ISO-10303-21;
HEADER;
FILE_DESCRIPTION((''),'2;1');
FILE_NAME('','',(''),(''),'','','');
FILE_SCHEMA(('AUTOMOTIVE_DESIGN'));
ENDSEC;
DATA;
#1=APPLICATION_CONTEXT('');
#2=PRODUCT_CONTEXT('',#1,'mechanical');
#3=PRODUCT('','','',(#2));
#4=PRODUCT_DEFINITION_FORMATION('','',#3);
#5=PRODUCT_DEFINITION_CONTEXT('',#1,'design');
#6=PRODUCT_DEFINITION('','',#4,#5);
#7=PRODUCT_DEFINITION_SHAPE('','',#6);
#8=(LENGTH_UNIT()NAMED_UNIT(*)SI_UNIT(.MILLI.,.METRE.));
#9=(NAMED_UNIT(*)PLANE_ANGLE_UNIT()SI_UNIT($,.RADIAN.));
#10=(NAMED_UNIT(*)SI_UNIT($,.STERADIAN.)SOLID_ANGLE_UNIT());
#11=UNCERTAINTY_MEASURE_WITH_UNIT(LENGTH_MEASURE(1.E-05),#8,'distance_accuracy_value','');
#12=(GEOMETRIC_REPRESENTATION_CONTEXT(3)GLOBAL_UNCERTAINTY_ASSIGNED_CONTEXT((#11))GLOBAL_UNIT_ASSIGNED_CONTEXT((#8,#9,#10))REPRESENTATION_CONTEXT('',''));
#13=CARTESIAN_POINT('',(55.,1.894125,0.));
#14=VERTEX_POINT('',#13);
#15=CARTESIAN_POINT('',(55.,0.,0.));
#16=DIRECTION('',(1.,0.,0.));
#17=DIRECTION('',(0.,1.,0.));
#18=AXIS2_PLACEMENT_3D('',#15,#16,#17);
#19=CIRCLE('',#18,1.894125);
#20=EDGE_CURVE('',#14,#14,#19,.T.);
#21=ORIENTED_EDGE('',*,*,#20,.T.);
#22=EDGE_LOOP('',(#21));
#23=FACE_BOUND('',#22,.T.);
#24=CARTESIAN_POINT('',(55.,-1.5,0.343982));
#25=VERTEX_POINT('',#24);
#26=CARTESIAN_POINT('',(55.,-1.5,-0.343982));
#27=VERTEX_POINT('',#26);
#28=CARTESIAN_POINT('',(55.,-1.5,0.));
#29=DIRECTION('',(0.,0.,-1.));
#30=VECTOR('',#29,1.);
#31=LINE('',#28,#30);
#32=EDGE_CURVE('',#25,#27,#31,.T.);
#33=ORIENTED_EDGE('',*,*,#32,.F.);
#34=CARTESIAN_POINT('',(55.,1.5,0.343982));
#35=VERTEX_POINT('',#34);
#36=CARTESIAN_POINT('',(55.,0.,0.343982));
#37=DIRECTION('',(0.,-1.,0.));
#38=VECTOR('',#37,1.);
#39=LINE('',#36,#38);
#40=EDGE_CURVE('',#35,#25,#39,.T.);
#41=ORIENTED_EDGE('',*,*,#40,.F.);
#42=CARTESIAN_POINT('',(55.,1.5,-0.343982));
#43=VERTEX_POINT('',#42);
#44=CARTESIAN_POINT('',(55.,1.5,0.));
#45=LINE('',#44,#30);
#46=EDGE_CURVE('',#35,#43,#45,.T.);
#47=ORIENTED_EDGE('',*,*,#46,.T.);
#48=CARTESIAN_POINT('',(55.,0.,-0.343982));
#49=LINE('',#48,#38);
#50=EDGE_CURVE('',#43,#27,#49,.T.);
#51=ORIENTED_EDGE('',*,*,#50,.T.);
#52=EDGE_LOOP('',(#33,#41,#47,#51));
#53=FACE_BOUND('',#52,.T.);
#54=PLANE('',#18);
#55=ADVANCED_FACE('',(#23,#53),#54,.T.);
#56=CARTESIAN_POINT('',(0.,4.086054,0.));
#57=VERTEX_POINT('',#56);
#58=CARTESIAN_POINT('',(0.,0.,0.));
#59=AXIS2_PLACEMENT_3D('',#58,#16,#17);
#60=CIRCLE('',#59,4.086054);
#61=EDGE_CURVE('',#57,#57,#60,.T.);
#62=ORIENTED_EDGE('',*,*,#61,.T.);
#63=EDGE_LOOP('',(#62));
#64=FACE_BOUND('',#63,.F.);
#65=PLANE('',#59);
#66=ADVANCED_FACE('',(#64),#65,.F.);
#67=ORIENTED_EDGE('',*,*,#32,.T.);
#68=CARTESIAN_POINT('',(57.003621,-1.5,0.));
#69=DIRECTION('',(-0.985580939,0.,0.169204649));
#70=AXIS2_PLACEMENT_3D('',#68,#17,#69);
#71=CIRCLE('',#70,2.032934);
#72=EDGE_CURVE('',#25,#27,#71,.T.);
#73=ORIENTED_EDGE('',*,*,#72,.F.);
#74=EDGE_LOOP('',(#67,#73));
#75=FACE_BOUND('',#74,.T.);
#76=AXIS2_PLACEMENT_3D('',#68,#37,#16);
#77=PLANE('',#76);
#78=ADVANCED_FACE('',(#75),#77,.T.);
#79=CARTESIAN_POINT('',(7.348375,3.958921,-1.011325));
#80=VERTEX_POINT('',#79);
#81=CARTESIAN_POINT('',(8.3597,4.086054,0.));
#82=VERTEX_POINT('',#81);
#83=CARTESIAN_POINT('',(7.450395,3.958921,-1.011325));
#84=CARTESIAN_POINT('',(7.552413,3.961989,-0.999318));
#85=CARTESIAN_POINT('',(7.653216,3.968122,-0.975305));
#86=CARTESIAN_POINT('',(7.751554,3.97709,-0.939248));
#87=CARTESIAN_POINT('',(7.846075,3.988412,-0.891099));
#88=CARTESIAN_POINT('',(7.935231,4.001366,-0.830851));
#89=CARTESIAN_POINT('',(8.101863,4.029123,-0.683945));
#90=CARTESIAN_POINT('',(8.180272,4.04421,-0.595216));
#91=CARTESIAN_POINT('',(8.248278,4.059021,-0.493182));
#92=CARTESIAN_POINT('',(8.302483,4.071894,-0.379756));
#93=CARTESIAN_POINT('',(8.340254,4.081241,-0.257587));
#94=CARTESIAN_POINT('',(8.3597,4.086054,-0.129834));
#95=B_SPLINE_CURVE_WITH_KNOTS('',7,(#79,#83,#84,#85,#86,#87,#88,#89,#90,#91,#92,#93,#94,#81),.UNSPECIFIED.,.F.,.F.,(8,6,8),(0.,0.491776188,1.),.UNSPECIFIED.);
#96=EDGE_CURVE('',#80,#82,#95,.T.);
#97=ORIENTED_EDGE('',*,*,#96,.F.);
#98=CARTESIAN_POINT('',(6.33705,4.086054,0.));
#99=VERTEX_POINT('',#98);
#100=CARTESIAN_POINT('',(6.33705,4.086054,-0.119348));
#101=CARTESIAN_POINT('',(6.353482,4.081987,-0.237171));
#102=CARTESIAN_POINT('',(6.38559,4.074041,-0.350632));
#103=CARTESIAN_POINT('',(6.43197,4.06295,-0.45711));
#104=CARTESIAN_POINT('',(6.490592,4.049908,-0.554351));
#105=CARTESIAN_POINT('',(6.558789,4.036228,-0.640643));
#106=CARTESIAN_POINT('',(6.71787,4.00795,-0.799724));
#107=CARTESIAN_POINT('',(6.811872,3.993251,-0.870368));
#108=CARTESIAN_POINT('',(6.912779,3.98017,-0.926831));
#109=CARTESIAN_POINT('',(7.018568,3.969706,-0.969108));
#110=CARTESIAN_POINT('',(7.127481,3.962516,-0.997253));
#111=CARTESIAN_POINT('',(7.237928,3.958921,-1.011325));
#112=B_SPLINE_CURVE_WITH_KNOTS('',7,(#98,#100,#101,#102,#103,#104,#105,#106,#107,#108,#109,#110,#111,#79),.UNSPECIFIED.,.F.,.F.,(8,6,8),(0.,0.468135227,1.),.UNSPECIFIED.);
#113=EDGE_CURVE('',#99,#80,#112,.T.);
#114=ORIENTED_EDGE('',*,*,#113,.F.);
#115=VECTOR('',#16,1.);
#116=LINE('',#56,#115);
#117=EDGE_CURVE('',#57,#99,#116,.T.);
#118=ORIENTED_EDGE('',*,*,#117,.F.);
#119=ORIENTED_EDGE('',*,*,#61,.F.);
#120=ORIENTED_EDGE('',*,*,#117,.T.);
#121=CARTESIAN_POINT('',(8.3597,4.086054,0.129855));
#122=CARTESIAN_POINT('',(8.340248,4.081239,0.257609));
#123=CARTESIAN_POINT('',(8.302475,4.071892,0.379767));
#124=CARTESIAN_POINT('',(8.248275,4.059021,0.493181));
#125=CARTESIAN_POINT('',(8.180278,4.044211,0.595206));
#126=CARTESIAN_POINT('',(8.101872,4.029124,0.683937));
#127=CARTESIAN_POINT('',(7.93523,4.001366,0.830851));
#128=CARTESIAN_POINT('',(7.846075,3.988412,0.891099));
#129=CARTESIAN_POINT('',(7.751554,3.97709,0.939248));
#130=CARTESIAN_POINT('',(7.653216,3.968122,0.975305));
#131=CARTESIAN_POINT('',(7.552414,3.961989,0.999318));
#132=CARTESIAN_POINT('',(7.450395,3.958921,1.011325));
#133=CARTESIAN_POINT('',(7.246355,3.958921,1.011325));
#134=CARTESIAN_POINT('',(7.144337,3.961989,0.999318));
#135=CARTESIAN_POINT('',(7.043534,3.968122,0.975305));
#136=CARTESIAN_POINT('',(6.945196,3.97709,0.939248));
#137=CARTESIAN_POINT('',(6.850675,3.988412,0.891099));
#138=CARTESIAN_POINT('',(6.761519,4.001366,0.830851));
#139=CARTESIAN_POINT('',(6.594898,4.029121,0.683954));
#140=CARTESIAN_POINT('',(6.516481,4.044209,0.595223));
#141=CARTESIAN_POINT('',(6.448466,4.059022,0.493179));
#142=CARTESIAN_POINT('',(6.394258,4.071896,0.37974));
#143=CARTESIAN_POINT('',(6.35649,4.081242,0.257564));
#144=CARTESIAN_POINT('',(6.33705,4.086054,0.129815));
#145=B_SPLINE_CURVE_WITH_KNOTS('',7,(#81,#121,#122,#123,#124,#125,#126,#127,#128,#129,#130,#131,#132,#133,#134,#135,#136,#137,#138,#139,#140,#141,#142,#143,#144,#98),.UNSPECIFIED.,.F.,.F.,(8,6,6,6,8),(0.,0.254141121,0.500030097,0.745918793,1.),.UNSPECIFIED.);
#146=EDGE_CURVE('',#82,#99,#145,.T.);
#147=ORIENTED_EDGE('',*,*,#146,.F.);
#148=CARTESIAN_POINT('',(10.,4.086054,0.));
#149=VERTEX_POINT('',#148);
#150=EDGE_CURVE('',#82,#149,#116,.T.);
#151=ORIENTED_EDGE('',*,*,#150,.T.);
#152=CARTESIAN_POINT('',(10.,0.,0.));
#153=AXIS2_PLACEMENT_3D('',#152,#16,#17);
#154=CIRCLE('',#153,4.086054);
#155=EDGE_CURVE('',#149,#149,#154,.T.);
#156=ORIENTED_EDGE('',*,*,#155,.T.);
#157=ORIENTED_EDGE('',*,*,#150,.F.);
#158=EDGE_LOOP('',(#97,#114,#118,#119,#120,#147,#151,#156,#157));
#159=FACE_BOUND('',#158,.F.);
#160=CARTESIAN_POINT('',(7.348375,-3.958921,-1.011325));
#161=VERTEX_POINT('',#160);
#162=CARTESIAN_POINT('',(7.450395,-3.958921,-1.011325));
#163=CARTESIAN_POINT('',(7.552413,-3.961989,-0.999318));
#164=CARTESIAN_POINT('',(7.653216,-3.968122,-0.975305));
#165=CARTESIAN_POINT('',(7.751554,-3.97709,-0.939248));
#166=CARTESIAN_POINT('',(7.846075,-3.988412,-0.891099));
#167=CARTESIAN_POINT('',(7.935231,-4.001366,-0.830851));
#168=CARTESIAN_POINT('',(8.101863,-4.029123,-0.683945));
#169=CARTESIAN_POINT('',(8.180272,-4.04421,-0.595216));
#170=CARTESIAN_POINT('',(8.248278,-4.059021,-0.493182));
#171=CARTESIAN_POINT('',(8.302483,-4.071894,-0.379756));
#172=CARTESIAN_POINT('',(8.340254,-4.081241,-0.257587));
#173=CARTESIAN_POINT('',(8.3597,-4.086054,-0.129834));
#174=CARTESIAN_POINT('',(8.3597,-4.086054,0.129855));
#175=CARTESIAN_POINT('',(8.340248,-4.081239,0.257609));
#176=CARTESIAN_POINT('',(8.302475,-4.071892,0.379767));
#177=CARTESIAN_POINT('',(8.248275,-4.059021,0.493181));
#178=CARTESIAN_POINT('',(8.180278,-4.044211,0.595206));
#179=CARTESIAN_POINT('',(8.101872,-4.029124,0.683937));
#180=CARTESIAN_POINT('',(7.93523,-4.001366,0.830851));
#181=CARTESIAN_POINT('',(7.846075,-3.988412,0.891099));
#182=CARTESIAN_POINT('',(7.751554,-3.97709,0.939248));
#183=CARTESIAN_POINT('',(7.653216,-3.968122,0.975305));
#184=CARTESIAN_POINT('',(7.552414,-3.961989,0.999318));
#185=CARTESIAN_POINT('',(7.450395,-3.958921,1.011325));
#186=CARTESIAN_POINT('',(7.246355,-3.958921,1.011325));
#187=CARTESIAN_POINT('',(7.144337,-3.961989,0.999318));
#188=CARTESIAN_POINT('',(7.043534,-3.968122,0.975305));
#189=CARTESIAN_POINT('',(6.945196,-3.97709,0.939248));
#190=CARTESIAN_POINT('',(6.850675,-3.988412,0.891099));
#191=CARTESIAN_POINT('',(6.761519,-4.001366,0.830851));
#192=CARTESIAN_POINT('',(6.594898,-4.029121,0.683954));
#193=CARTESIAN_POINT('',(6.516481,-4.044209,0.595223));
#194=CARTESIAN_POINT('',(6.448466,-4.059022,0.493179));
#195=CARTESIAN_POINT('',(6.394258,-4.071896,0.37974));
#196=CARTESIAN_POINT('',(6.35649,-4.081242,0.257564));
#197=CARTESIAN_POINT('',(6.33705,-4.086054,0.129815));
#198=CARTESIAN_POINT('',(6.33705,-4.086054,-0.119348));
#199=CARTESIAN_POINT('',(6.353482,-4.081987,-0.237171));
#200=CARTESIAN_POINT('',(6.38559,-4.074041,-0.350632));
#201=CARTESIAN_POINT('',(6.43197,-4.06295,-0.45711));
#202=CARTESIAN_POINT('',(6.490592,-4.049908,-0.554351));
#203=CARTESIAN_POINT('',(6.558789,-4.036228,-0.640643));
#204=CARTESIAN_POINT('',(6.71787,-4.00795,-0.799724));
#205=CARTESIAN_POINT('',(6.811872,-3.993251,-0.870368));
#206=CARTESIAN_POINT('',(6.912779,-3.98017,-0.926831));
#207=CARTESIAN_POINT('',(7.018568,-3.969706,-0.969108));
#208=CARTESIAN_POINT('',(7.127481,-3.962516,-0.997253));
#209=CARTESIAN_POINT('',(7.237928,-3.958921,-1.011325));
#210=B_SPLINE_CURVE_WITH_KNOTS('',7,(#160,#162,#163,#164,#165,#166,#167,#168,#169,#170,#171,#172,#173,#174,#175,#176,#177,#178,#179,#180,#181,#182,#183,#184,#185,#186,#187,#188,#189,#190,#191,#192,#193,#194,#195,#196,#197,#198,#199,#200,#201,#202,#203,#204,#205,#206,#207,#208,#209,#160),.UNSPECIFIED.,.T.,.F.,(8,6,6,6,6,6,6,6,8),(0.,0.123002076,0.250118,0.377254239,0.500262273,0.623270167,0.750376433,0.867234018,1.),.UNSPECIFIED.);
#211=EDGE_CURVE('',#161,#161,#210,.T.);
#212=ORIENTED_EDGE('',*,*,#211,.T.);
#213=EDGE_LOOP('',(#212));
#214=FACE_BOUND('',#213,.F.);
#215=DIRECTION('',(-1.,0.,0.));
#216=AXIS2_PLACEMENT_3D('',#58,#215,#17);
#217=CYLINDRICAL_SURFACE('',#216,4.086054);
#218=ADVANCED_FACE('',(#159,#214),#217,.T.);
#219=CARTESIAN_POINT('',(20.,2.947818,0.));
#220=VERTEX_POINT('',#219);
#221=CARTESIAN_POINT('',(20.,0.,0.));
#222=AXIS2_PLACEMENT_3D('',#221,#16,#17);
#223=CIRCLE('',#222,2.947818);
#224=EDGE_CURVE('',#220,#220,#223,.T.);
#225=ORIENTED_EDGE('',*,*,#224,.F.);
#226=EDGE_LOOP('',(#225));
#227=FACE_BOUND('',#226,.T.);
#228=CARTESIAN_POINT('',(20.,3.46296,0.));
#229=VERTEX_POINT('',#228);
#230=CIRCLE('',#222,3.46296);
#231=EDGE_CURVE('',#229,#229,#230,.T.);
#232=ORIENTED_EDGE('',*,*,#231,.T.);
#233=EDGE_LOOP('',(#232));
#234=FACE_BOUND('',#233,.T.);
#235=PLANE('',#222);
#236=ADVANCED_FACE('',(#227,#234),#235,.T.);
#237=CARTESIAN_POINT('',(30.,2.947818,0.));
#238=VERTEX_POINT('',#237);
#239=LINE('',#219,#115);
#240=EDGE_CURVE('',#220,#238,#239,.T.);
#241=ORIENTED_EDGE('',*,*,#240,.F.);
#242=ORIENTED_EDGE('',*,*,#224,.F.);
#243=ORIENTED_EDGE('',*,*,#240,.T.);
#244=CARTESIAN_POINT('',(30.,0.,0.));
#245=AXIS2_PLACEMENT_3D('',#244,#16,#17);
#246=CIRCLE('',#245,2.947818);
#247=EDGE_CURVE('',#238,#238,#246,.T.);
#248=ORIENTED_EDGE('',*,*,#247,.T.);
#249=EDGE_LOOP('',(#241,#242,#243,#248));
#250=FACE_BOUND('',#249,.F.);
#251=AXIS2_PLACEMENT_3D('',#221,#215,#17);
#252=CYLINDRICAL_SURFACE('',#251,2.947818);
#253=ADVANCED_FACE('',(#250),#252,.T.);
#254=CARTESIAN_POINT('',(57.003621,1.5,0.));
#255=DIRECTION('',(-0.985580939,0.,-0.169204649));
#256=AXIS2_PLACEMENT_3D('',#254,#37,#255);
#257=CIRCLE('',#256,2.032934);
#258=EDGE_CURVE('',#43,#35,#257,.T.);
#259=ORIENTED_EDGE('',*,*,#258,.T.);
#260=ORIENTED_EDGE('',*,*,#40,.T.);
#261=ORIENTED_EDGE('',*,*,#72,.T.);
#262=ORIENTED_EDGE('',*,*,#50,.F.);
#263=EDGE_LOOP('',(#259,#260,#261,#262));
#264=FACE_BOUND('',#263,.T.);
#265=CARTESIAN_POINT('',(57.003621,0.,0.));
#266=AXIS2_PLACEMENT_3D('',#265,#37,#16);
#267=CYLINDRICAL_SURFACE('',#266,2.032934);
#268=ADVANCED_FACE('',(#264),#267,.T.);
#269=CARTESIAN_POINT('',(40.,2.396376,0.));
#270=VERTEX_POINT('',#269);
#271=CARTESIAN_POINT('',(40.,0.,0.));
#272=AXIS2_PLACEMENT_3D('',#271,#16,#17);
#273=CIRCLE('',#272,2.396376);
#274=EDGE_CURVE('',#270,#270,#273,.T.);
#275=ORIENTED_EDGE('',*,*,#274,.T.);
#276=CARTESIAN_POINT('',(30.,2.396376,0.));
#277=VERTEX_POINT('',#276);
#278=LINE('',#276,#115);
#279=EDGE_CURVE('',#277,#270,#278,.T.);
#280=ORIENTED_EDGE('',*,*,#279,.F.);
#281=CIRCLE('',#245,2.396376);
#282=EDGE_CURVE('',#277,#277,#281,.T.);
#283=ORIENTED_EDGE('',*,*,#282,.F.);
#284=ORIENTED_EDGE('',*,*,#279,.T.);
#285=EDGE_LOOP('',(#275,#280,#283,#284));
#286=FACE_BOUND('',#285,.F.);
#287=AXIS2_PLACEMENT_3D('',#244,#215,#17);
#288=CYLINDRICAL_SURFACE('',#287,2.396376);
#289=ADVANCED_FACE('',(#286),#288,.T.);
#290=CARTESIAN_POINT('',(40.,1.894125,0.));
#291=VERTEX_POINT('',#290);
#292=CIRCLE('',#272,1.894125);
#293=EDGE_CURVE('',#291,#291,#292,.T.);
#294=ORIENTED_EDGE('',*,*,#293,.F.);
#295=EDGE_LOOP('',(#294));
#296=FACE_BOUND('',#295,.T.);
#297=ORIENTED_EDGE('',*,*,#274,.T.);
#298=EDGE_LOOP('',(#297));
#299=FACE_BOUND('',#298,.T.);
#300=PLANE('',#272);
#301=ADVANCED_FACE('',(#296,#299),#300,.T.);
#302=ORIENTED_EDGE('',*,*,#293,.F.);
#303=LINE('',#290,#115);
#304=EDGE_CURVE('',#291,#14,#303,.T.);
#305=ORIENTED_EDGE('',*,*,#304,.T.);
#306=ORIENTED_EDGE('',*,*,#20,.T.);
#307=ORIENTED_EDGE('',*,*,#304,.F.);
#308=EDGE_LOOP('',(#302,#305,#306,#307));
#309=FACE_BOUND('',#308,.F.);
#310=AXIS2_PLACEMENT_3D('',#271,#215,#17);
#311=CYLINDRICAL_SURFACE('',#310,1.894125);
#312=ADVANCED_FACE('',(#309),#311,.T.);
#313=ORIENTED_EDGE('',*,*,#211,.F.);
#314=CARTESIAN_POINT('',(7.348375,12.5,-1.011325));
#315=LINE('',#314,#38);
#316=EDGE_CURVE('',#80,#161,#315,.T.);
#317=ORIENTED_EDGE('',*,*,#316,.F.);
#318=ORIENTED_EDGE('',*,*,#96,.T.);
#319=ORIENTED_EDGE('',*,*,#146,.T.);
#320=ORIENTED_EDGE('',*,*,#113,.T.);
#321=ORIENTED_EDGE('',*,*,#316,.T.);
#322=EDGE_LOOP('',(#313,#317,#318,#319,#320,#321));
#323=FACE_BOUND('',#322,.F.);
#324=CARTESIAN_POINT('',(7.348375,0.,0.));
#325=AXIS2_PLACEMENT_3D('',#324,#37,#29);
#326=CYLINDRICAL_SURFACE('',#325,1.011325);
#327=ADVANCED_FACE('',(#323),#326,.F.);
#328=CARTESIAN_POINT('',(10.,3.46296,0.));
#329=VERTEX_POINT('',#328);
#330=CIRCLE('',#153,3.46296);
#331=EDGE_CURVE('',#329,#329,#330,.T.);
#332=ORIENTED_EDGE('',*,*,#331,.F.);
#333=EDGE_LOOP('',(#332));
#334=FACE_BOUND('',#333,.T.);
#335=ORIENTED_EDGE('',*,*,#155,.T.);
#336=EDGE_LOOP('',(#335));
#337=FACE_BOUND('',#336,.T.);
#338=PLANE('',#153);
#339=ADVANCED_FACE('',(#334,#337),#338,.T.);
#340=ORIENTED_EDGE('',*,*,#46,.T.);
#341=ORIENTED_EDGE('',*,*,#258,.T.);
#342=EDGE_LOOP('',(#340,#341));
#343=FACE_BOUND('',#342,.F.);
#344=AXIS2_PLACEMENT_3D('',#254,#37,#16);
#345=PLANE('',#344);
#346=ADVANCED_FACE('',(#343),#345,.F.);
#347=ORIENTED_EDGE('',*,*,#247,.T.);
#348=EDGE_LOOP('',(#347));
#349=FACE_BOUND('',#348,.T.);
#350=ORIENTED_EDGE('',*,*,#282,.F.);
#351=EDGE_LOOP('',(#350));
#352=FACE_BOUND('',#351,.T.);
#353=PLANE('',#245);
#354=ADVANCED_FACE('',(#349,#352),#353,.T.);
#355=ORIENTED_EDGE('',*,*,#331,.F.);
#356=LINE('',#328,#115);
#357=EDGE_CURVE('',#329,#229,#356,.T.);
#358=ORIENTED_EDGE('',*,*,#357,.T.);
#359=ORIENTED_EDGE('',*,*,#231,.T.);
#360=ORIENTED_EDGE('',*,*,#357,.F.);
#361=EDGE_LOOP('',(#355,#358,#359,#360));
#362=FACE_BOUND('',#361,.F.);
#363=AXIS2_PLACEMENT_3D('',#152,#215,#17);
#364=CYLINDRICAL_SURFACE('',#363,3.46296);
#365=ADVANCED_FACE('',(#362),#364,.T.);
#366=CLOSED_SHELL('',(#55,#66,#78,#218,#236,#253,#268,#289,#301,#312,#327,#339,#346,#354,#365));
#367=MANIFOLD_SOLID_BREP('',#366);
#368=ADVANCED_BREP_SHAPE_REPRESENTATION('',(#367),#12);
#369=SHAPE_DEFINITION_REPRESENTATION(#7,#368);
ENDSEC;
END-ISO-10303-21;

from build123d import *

# Parameters (mm, degrees)
F0_R      = 4.086054
F1_DEPTH  = 10
F2_R      = 3.46296
F3_DEPTH  = 10
F4_R      = 2.947818
F5_DEPTH  = 10
F6_R      = 2.396376
F7_DEPTH  = 10
F8_R      = 1.894125
F9_DEPTH  = 15
F10_R     = 2.032934
F11_DEPTH = 1.5
F13_DEPTH = 12.5


with BuildPart() as f1:
    # F0 (on Right) → F1 (new body)
    with BuildSketch(Plane.YZ):
        Circle(F0_R)
    extrude(amount=F1_DEPTH)

    # F2 (on face) → F3 (join)
    with BuildSketch(Plane.YZ.offset(10)):
        Circle(F2_R)
    extrude(amount=F3_DEPTH)

    # F4 (on face) → F5 (join)
    with BuildSketch(Plane.YZ.offset(20)):
        Circle(F4_R)
    extrude(amount=F5_DEPTH)

    # F6 (on face) → F7 (join)
    with BuildSketch(Plane.YZ.offset(30)):
        Circle(F6_R)
    extrude(amount=F7_DEPTH)

    # F8 (on face) → F9 (join)
    with BuildSketch(Plane.YZ.offset(40)):
        Circle(F8_R)
    extrude(amount=F9_DEPTH)

    # F10 (on Front) → F11 (join, symmetric)
    with BuildSketch(Plane.XZ):
        with Locations((57.003621, 0)):
            Circle(F10_R)
    extrude(amount=F11_DEPTH, both=True)

    # F12 (on Front) → F13 (cut, symmetric)
    with BuildSketch(Plane.XZ):
        with BuildLine():
            ThreePointArc((7.348375, 1.011325), (6.33705, 0), (7.348375, -1.011325))
            ThreePointArc((7.348375, -1.011325), (8.3597, 0), (7.348375, 1.011325))
        make_face()
    extrude(amount=F13_DEPTH, both=True, mode=Mode.SUBTRACT)


solid = f1.part
